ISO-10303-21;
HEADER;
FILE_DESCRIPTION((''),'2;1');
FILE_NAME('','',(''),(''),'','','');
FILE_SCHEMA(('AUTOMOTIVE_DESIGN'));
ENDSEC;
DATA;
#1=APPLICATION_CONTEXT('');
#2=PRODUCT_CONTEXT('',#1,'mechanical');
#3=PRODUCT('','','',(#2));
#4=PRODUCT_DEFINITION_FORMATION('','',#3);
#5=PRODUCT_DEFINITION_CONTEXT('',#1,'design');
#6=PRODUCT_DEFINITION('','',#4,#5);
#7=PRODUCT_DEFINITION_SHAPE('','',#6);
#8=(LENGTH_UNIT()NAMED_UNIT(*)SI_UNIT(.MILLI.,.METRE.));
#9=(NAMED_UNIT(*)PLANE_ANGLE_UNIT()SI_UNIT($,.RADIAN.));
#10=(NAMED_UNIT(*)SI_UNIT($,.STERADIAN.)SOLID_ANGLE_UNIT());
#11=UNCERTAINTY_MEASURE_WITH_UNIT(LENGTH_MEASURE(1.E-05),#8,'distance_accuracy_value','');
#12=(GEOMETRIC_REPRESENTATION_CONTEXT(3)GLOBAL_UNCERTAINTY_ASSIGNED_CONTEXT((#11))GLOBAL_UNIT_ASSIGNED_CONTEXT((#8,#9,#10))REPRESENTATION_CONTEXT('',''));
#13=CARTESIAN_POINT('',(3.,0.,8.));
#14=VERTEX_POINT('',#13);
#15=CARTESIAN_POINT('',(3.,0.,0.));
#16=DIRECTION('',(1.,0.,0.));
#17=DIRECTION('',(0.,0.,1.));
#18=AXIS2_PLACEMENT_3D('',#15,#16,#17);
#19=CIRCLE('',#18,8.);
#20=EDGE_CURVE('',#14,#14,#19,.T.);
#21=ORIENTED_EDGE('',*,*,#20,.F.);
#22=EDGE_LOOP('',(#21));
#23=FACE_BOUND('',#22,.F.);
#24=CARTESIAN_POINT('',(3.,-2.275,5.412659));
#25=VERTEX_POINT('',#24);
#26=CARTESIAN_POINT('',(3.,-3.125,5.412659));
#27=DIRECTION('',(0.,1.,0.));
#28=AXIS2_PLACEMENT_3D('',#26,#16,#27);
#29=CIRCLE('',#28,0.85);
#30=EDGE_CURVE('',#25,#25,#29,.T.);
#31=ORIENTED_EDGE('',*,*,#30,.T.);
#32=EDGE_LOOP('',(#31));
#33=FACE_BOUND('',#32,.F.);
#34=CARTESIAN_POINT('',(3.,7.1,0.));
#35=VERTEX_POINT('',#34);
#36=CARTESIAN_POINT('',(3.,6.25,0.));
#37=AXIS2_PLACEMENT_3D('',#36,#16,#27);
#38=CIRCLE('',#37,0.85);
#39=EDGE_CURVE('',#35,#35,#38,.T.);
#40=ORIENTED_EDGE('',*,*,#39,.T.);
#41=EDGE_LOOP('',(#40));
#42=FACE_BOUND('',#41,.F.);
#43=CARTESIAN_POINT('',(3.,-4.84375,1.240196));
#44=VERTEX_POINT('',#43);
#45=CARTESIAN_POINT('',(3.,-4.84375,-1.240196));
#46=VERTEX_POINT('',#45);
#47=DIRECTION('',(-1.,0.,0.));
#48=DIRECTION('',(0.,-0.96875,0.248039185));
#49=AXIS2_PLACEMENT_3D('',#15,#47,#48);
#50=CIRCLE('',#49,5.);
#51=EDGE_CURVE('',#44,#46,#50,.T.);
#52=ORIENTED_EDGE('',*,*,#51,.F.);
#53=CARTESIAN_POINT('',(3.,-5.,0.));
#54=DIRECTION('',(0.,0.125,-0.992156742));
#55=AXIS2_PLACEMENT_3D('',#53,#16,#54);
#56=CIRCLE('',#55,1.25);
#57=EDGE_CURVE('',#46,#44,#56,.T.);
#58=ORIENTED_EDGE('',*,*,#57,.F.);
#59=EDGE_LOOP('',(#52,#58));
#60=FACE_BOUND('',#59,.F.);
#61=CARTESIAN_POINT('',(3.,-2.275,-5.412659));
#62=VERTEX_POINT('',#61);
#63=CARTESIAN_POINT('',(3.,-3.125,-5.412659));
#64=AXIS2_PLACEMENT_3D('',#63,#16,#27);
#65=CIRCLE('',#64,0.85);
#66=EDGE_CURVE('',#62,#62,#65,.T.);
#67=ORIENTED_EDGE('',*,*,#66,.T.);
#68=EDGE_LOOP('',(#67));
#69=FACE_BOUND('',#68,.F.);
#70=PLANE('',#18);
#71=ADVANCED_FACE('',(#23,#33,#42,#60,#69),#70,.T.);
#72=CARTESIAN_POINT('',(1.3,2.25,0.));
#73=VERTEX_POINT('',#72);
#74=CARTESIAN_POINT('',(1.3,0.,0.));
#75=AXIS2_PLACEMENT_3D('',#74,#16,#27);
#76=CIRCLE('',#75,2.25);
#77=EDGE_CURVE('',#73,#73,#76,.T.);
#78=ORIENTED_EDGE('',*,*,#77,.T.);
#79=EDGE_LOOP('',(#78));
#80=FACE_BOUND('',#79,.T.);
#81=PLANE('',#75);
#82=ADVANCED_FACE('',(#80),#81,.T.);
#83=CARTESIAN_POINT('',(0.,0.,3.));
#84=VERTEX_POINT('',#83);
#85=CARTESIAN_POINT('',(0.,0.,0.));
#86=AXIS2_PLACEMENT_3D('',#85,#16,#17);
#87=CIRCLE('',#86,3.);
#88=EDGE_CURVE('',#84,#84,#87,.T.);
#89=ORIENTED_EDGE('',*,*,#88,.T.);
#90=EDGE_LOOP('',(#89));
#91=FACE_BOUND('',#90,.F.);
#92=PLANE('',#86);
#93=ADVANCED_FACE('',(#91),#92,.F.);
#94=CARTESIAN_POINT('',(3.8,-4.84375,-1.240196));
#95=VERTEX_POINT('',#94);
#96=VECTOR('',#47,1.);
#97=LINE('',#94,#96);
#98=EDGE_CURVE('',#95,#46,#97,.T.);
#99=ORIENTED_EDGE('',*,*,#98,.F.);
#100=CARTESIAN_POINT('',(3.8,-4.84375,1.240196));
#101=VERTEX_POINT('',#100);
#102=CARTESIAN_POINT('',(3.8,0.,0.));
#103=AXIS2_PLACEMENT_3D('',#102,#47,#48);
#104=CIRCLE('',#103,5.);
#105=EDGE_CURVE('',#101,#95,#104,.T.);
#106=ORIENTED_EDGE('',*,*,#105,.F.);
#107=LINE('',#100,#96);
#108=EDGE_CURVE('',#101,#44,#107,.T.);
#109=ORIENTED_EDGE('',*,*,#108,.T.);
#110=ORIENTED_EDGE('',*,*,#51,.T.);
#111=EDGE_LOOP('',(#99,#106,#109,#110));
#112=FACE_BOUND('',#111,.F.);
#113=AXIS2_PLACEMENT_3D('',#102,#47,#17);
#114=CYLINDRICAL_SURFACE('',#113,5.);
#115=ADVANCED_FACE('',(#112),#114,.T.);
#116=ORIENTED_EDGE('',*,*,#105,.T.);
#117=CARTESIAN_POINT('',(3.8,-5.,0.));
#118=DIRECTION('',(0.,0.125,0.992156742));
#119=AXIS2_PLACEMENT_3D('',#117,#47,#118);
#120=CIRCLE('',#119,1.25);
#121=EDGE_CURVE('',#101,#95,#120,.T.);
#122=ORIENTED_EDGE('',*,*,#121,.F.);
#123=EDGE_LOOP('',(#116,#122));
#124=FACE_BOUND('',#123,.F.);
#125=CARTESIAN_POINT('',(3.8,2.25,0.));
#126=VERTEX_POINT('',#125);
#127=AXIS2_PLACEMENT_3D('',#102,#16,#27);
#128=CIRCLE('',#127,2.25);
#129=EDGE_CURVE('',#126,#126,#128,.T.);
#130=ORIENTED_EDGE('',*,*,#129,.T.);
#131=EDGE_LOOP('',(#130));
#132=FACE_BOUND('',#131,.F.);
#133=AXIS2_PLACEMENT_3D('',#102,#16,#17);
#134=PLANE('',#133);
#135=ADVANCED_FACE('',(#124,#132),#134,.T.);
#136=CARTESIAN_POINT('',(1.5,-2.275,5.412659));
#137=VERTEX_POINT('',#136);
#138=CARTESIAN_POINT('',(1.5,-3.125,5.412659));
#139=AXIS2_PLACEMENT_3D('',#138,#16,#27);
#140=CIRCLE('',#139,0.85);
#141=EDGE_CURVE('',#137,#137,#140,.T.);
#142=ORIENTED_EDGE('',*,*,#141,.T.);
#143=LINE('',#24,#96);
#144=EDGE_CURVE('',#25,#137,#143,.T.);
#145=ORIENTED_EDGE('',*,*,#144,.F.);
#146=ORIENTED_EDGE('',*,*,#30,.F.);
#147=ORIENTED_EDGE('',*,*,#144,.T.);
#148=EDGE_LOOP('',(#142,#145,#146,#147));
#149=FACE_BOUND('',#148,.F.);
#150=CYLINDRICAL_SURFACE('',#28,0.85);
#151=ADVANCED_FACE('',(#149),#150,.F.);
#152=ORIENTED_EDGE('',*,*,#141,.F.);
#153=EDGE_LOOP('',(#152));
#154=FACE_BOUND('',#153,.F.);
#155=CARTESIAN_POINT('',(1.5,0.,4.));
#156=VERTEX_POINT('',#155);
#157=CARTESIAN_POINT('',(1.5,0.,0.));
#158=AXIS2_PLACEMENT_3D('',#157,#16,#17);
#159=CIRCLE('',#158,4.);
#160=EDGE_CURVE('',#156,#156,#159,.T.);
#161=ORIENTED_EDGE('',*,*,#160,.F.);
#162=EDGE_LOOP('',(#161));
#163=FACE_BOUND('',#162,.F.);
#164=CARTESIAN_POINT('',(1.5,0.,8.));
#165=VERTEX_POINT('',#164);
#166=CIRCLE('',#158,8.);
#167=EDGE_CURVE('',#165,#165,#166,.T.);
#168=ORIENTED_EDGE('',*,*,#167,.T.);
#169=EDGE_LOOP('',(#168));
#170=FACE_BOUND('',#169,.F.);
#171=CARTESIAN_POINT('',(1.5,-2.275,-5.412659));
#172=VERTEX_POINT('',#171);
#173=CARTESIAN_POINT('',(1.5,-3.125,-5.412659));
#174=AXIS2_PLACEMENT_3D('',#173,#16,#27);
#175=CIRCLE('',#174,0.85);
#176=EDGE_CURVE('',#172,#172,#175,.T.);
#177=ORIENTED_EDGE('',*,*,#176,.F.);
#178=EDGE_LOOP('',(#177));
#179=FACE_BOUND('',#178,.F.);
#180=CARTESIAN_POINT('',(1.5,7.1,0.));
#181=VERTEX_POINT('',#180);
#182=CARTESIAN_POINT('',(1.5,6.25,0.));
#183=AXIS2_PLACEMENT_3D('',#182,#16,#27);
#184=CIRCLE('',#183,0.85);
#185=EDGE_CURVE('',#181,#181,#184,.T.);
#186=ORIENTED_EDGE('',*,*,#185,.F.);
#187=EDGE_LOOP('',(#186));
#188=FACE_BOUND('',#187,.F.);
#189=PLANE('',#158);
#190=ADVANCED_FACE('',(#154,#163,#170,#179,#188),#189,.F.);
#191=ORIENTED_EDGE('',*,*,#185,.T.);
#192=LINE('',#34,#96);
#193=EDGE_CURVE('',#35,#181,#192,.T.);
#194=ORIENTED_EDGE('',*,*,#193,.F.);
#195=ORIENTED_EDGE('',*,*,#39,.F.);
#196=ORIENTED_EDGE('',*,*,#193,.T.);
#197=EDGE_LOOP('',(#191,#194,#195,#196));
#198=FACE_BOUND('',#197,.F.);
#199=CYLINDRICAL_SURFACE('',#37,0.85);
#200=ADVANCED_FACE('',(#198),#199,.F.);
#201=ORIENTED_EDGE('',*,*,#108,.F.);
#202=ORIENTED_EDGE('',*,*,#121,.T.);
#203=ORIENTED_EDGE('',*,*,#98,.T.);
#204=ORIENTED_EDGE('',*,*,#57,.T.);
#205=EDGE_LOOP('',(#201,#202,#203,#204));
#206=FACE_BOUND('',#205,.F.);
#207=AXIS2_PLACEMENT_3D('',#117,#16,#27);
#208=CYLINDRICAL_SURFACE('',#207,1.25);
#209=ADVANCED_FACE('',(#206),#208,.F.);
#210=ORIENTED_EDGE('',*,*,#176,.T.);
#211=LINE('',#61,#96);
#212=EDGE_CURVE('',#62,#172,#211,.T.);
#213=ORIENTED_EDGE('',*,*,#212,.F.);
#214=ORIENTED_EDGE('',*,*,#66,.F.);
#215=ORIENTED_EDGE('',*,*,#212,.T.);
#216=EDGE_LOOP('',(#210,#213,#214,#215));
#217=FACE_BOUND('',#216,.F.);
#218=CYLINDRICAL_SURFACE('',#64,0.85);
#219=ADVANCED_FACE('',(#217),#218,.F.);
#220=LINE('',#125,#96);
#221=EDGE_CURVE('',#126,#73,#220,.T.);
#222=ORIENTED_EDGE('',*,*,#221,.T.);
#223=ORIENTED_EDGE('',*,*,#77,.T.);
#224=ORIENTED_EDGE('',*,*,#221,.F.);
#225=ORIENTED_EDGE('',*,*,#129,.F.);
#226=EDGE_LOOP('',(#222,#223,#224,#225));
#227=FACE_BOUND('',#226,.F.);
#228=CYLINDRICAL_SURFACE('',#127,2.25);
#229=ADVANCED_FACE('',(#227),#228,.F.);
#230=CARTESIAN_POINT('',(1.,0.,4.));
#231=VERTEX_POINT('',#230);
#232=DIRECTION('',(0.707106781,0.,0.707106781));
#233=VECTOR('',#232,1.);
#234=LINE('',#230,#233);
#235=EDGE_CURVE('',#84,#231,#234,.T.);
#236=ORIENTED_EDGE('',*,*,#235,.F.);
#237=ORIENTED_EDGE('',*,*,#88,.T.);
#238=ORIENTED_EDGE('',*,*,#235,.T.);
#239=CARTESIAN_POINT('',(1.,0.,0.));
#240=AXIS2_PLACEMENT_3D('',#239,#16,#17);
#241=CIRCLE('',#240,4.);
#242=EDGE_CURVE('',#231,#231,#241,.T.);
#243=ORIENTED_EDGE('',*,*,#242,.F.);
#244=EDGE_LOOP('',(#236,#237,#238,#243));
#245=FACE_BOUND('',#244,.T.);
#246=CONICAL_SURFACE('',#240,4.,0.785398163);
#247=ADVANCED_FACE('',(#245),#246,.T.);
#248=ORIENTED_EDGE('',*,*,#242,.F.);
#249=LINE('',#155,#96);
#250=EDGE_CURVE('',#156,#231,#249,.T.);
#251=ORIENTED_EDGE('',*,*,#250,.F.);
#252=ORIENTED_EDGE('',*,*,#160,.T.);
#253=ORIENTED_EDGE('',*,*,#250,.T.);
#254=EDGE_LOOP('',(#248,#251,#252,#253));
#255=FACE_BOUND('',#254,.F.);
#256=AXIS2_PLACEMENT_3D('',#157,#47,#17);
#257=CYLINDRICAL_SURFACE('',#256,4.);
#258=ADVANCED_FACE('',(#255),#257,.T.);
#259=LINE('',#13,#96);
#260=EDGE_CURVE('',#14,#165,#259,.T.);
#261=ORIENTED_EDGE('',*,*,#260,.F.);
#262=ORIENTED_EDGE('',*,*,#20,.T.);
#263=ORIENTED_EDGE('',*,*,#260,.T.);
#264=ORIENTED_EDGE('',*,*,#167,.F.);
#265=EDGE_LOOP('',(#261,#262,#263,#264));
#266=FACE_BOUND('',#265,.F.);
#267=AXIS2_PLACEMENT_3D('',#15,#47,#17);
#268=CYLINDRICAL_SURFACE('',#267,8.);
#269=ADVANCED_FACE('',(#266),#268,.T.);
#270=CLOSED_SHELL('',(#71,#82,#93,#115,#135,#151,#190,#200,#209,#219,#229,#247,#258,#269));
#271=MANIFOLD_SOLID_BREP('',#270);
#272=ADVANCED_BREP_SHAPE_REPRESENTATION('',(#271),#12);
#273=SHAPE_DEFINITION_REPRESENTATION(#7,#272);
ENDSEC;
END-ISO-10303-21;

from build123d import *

# Parameters (mm, degrees)
F2_SIZE  = 1
F3_R     = 0.85
F4_DEPTH = 3.001
F5_R     = 1.25
F6_DEPTH = 0.8
F7_R     = 2.25
F8_DEPTH = 2.5


with BuildPart() as f1:
    # F0 (on Front) → F1 (revolve)
    with BuildSketch(Plane.XZ):
        Polygon((0, 4), (0, 0), (3.8, 0), (3.8, 5), (3, 5), (3, 8), (1.5, 8), (1.5, 4), align=None)
    revolve(axis=Axis((1.9, 0, 0), (1, 0, 0)))

    # F2
    f2_edges = [f1.edges().sort_by_distance(p)[0] for p in [
        (0, 0, -4),
    ]]
    chamfer(f2_edges, length=F2_SIZE)

    # F3 (on face) → F4 (cut, through all)
    with BuildSketch(Plane.YZ.offset(3)):
        with Locations((6.25, 0)):
            Circle(F3_R)
        with Locations((-3.125, 5.412659)):
            Circle(F3_R)
        with Locations((-3.125, -5.412659)):
            Circle(F3_R)
    extrude(amount=-F4_DEPTH, mode=Mode.SUBTRACT)

    # F5 (on face) → F6 (cut, through all)
    with BuildSketch(Plane.YZ.offset(3.8)):
        with Locations((-5, 0)):
            Circle(F5_R)
    extrude(amount=-F6_DEPTH, mode=Mode.SUBTRACT)

    # F7 (on face) → F8 (cut)
    with BuildSketch(Plane.YZ.offset(3.8)):
        Circle(F7_R)
    extrude(amount=-F8_DEPTH, mode=Mode.SUBTRACT)


solid = f1.part
